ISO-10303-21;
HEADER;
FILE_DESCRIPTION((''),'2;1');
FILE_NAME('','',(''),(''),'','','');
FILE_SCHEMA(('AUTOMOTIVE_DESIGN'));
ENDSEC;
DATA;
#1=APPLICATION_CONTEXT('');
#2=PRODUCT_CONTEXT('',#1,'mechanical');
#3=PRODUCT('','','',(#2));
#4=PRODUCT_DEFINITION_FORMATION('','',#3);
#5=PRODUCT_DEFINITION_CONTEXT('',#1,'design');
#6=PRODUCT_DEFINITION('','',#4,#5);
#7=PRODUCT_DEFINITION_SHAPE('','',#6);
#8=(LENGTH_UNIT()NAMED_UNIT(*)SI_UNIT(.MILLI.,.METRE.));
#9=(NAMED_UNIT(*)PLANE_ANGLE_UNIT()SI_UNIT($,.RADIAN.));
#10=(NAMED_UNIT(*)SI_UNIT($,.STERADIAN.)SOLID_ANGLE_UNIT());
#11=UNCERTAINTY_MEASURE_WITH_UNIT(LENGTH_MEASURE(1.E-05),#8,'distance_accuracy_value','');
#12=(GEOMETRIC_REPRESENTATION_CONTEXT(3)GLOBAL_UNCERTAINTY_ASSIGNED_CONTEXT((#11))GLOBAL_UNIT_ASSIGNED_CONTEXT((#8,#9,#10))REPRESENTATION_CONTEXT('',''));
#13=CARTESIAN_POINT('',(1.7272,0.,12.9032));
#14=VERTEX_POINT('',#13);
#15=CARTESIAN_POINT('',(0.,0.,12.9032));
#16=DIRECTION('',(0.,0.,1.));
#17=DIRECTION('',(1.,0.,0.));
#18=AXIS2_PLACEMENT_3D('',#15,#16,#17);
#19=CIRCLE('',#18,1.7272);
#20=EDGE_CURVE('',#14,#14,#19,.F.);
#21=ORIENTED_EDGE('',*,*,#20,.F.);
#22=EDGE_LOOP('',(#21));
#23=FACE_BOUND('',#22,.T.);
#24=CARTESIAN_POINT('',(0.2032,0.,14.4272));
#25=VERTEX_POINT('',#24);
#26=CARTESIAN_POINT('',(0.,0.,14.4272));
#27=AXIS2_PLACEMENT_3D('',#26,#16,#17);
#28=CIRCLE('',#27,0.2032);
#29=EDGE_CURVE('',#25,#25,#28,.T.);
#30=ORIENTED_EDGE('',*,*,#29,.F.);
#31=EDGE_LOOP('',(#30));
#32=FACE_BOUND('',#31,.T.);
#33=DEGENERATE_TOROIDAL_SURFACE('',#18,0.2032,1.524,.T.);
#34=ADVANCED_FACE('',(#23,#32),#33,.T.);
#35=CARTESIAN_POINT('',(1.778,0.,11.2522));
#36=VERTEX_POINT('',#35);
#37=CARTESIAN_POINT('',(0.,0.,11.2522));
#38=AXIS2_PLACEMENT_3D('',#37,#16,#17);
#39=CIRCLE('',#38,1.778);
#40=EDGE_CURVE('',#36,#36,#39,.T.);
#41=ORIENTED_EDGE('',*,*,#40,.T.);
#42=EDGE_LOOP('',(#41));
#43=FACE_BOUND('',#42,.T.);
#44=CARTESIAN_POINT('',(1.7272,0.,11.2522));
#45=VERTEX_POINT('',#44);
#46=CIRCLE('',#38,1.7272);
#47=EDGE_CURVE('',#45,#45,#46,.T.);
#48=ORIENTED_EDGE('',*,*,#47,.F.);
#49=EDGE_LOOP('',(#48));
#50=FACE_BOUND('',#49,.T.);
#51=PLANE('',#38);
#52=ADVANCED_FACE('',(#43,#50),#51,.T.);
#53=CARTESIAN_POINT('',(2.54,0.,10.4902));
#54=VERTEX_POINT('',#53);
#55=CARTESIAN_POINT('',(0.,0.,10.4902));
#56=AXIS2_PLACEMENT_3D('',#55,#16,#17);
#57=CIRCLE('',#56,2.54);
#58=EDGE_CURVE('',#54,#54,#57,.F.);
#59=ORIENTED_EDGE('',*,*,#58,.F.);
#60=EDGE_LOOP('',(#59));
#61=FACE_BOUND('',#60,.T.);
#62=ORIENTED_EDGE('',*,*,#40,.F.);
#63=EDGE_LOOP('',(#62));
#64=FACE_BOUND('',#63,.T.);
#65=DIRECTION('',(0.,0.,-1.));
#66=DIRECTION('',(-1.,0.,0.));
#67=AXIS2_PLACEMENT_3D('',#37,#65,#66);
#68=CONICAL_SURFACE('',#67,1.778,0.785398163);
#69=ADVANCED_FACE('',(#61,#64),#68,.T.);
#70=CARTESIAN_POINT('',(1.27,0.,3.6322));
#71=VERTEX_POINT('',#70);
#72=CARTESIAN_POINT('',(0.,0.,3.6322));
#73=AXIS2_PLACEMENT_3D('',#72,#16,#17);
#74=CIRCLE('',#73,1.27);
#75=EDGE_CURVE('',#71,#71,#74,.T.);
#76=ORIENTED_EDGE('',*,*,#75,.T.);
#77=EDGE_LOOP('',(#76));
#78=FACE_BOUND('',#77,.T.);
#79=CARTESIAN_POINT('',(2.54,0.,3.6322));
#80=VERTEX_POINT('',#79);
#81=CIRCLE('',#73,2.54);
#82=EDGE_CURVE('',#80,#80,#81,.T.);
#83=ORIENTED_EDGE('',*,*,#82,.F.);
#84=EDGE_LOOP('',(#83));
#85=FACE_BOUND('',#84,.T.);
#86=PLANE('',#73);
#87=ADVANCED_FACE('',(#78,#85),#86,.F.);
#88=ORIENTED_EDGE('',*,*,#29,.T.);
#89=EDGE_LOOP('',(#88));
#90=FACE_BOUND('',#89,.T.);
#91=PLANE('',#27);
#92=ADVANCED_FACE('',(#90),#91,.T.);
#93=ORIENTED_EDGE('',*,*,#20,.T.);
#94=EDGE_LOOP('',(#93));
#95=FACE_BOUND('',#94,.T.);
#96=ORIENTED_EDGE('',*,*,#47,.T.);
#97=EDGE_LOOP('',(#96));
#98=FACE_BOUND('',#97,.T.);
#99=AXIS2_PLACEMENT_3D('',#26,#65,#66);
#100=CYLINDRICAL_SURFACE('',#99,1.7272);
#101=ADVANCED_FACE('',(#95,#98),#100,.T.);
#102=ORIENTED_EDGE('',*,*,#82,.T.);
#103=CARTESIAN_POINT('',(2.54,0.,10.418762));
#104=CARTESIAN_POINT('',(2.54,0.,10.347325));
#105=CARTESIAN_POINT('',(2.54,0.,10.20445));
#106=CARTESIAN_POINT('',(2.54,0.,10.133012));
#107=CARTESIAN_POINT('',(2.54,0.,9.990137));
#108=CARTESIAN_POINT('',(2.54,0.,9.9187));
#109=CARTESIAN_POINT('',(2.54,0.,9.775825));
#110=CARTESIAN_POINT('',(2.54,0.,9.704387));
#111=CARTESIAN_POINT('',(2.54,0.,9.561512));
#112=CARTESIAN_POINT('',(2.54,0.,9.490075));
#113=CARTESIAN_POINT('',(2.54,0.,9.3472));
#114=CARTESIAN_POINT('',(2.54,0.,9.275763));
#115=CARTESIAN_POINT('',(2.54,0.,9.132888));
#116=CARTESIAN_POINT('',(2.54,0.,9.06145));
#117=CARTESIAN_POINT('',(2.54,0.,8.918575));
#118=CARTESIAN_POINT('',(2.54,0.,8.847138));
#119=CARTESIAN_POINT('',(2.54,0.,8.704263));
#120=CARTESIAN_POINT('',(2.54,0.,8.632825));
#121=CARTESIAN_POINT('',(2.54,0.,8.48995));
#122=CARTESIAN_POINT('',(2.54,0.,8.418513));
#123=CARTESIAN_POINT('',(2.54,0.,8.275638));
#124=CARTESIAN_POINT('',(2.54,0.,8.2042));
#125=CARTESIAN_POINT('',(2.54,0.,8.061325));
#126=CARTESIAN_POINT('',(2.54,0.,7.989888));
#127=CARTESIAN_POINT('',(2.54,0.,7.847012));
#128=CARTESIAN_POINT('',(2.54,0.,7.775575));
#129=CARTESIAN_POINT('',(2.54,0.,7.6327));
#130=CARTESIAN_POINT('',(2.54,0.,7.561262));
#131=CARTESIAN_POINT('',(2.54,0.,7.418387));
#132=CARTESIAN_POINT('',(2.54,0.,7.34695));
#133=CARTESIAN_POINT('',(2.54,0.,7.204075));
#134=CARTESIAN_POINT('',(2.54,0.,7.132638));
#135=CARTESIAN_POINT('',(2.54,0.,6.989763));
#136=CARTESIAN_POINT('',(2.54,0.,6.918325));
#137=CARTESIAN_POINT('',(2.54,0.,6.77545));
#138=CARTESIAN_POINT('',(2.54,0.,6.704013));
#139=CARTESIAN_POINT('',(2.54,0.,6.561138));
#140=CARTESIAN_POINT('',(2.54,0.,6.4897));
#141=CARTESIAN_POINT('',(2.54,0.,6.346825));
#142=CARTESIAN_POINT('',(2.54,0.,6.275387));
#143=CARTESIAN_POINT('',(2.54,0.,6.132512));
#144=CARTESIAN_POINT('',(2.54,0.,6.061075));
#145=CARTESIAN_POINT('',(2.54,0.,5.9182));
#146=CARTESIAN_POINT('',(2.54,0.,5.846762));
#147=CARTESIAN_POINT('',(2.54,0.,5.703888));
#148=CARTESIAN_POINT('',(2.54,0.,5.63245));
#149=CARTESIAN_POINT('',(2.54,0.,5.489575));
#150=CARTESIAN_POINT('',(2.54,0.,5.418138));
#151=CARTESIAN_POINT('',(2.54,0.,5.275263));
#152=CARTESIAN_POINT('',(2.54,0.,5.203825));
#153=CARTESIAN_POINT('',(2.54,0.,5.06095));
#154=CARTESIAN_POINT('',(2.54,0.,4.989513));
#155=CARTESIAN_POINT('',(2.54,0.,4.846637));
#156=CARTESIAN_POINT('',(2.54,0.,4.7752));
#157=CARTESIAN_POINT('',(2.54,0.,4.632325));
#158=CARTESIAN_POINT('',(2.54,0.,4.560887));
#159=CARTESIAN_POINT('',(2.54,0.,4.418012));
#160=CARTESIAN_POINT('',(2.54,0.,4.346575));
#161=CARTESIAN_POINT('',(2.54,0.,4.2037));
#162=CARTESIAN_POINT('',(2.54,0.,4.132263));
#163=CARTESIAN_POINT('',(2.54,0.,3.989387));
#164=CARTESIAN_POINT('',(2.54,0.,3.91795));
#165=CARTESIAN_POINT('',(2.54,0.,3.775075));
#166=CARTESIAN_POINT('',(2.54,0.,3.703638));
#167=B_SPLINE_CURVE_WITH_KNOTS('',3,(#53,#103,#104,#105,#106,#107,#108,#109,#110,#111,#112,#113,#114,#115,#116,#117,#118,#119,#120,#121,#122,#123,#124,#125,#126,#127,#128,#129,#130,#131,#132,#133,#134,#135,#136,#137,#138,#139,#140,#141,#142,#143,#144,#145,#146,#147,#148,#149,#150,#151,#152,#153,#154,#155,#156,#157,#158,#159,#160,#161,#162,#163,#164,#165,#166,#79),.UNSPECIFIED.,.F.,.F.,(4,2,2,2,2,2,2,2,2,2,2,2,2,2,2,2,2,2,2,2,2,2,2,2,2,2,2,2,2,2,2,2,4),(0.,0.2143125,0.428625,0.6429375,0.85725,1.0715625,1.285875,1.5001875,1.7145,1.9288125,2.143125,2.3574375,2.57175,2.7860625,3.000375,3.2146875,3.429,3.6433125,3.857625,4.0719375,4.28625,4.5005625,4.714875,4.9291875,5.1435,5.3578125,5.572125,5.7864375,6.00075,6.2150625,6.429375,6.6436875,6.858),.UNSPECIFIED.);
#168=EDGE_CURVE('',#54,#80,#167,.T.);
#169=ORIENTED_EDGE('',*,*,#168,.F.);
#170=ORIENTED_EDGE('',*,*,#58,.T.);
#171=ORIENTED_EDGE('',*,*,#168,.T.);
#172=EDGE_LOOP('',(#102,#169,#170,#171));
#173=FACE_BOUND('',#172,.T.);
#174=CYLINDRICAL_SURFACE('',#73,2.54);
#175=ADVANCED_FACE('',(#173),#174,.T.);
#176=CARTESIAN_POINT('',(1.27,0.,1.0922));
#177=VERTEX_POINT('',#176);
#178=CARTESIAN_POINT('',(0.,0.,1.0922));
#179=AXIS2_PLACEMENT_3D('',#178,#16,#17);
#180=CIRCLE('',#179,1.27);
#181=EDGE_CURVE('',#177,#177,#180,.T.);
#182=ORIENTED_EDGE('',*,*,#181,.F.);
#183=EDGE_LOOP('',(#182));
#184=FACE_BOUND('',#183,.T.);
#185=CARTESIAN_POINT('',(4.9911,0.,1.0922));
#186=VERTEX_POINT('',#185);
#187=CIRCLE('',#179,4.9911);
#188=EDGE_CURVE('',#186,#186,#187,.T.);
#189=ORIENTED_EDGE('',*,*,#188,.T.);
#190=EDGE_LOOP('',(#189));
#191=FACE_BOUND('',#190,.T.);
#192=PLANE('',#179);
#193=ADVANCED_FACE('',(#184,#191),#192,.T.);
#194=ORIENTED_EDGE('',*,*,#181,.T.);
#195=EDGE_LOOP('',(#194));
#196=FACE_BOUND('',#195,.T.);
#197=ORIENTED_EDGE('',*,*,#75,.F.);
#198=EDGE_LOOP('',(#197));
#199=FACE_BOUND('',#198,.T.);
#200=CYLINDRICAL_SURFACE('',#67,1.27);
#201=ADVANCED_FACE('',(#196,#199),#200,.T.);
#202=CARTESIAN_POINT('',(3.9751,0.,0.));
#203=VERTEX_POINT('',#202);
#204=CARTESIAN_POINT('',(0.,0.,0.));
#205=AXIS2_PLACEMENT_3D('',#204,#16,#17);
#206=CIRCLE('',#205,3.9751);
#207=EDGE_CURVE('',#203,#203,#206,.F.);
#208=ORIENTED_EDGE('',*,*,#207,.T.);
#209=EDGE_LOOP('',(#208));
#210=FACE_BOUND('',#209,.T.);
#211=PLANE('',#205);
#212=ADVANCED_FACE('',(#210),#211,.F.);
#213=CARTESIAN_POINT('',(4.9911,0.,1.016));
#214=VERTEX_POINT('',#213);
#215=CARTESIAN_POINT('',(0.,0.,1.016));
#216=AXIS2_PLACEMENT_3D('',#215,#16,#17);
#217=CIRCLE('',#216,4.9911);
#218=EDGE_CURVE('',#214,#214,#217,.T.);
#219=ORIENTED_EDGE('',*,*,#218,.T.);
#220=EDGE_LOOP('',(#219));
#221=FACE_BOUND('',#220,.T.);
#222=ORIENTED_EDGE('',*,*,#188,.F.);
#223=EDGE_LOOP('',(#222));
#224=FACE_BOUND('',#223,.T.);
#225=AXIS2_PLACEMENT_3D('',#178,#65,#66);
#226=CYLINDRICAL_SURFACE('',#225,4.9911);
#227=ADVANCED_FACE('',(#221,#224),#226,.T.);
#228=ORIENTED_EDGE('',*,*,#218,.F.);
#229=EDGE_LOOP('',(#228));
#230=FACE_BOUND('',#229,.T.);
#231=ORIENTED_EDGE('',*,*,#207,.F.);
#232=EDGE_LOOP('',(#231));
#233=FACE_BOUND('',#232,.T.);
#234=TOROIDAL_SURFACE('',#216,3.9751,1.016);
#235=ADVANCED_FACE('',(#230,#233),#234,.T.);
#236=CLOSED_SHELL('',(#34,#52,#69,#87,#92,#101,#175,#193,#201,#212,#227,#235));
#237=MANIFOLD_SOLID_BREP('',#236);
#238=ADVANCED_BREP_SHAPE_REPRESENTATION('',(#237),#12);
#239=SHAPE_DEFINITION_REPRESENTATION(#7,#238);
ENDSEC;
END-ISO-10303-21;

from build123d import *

# Parameters (mm, degrees)
SKETCH1_R      = 4.9911
EXTRUDE1_DEPTH = 1.0922
SKETCH2_R      = 1.27
EXTRUDE2_DEPTH = 10.16
SKETCH3_R      = 2.54
EXTRUDE3_DEPTH = 7.62
SKETCH4_R      = 1.7272
EXTRUDE4_DEPTH = 3.175
FILLET1_R      = 1.524
CHAMFER4_SIZE  = 0.762
FILLET2_R      = 1.016


with BuildPart() as part:
    # Sketch1 → Extrude1 (new body)
    with BuildSketch(Plane.XY):
        Circle(SKETCH1_R)
    extrude(amount=EXTRUDE1_DEPTH)

    # Sketch2 → Extrude2 (add)
    with BuildSketch(Plane.XY.offset(1.0922)):
        Circle(SKETCH2_R)
    extrude(amount=EXTRUDE2_DEPTH)

    # Sketch3 → Extrude3 (add)
    with BuildSketch(Plane.XY.offset(11.2522)):
        Circle(SKETCH3_R)
    extrude(amount=-EXTRUDE3_DEPTH)

    # Sketch4 → Extrude4 (add)
    with BuildSketch(Plane.XY.offset(11.2522)):
        Circle(SKETCH4_R)
    extrude(amount=EXTRUDE4_DEPTH)

    # Fillet1
    fillet1_edges = [part.edges().sort_by_distance(p)[0] for p in [
        (-1.7272, 0, 14.4272),
    ]]
    fillet(fillet1_edges, radius=FILLET1_R)

    # Chamfer4
    chamfer4_edges = [part.edges().sort_by_distance(p)[0] for p in [
        (-2.54, 0, 11.2522),
    ]]
    chamfer(chamfer4_edges, length=CHAMFER4_SIZE)

    # Fillet2
    fillet2_edges = [part.edges().sort_by_distance(p)[0] for p in [
        (-4.9911, 0, 0),
    ]]
    fillet(fillet2_edges, radius=FILLET2_R)


solid = part.part
